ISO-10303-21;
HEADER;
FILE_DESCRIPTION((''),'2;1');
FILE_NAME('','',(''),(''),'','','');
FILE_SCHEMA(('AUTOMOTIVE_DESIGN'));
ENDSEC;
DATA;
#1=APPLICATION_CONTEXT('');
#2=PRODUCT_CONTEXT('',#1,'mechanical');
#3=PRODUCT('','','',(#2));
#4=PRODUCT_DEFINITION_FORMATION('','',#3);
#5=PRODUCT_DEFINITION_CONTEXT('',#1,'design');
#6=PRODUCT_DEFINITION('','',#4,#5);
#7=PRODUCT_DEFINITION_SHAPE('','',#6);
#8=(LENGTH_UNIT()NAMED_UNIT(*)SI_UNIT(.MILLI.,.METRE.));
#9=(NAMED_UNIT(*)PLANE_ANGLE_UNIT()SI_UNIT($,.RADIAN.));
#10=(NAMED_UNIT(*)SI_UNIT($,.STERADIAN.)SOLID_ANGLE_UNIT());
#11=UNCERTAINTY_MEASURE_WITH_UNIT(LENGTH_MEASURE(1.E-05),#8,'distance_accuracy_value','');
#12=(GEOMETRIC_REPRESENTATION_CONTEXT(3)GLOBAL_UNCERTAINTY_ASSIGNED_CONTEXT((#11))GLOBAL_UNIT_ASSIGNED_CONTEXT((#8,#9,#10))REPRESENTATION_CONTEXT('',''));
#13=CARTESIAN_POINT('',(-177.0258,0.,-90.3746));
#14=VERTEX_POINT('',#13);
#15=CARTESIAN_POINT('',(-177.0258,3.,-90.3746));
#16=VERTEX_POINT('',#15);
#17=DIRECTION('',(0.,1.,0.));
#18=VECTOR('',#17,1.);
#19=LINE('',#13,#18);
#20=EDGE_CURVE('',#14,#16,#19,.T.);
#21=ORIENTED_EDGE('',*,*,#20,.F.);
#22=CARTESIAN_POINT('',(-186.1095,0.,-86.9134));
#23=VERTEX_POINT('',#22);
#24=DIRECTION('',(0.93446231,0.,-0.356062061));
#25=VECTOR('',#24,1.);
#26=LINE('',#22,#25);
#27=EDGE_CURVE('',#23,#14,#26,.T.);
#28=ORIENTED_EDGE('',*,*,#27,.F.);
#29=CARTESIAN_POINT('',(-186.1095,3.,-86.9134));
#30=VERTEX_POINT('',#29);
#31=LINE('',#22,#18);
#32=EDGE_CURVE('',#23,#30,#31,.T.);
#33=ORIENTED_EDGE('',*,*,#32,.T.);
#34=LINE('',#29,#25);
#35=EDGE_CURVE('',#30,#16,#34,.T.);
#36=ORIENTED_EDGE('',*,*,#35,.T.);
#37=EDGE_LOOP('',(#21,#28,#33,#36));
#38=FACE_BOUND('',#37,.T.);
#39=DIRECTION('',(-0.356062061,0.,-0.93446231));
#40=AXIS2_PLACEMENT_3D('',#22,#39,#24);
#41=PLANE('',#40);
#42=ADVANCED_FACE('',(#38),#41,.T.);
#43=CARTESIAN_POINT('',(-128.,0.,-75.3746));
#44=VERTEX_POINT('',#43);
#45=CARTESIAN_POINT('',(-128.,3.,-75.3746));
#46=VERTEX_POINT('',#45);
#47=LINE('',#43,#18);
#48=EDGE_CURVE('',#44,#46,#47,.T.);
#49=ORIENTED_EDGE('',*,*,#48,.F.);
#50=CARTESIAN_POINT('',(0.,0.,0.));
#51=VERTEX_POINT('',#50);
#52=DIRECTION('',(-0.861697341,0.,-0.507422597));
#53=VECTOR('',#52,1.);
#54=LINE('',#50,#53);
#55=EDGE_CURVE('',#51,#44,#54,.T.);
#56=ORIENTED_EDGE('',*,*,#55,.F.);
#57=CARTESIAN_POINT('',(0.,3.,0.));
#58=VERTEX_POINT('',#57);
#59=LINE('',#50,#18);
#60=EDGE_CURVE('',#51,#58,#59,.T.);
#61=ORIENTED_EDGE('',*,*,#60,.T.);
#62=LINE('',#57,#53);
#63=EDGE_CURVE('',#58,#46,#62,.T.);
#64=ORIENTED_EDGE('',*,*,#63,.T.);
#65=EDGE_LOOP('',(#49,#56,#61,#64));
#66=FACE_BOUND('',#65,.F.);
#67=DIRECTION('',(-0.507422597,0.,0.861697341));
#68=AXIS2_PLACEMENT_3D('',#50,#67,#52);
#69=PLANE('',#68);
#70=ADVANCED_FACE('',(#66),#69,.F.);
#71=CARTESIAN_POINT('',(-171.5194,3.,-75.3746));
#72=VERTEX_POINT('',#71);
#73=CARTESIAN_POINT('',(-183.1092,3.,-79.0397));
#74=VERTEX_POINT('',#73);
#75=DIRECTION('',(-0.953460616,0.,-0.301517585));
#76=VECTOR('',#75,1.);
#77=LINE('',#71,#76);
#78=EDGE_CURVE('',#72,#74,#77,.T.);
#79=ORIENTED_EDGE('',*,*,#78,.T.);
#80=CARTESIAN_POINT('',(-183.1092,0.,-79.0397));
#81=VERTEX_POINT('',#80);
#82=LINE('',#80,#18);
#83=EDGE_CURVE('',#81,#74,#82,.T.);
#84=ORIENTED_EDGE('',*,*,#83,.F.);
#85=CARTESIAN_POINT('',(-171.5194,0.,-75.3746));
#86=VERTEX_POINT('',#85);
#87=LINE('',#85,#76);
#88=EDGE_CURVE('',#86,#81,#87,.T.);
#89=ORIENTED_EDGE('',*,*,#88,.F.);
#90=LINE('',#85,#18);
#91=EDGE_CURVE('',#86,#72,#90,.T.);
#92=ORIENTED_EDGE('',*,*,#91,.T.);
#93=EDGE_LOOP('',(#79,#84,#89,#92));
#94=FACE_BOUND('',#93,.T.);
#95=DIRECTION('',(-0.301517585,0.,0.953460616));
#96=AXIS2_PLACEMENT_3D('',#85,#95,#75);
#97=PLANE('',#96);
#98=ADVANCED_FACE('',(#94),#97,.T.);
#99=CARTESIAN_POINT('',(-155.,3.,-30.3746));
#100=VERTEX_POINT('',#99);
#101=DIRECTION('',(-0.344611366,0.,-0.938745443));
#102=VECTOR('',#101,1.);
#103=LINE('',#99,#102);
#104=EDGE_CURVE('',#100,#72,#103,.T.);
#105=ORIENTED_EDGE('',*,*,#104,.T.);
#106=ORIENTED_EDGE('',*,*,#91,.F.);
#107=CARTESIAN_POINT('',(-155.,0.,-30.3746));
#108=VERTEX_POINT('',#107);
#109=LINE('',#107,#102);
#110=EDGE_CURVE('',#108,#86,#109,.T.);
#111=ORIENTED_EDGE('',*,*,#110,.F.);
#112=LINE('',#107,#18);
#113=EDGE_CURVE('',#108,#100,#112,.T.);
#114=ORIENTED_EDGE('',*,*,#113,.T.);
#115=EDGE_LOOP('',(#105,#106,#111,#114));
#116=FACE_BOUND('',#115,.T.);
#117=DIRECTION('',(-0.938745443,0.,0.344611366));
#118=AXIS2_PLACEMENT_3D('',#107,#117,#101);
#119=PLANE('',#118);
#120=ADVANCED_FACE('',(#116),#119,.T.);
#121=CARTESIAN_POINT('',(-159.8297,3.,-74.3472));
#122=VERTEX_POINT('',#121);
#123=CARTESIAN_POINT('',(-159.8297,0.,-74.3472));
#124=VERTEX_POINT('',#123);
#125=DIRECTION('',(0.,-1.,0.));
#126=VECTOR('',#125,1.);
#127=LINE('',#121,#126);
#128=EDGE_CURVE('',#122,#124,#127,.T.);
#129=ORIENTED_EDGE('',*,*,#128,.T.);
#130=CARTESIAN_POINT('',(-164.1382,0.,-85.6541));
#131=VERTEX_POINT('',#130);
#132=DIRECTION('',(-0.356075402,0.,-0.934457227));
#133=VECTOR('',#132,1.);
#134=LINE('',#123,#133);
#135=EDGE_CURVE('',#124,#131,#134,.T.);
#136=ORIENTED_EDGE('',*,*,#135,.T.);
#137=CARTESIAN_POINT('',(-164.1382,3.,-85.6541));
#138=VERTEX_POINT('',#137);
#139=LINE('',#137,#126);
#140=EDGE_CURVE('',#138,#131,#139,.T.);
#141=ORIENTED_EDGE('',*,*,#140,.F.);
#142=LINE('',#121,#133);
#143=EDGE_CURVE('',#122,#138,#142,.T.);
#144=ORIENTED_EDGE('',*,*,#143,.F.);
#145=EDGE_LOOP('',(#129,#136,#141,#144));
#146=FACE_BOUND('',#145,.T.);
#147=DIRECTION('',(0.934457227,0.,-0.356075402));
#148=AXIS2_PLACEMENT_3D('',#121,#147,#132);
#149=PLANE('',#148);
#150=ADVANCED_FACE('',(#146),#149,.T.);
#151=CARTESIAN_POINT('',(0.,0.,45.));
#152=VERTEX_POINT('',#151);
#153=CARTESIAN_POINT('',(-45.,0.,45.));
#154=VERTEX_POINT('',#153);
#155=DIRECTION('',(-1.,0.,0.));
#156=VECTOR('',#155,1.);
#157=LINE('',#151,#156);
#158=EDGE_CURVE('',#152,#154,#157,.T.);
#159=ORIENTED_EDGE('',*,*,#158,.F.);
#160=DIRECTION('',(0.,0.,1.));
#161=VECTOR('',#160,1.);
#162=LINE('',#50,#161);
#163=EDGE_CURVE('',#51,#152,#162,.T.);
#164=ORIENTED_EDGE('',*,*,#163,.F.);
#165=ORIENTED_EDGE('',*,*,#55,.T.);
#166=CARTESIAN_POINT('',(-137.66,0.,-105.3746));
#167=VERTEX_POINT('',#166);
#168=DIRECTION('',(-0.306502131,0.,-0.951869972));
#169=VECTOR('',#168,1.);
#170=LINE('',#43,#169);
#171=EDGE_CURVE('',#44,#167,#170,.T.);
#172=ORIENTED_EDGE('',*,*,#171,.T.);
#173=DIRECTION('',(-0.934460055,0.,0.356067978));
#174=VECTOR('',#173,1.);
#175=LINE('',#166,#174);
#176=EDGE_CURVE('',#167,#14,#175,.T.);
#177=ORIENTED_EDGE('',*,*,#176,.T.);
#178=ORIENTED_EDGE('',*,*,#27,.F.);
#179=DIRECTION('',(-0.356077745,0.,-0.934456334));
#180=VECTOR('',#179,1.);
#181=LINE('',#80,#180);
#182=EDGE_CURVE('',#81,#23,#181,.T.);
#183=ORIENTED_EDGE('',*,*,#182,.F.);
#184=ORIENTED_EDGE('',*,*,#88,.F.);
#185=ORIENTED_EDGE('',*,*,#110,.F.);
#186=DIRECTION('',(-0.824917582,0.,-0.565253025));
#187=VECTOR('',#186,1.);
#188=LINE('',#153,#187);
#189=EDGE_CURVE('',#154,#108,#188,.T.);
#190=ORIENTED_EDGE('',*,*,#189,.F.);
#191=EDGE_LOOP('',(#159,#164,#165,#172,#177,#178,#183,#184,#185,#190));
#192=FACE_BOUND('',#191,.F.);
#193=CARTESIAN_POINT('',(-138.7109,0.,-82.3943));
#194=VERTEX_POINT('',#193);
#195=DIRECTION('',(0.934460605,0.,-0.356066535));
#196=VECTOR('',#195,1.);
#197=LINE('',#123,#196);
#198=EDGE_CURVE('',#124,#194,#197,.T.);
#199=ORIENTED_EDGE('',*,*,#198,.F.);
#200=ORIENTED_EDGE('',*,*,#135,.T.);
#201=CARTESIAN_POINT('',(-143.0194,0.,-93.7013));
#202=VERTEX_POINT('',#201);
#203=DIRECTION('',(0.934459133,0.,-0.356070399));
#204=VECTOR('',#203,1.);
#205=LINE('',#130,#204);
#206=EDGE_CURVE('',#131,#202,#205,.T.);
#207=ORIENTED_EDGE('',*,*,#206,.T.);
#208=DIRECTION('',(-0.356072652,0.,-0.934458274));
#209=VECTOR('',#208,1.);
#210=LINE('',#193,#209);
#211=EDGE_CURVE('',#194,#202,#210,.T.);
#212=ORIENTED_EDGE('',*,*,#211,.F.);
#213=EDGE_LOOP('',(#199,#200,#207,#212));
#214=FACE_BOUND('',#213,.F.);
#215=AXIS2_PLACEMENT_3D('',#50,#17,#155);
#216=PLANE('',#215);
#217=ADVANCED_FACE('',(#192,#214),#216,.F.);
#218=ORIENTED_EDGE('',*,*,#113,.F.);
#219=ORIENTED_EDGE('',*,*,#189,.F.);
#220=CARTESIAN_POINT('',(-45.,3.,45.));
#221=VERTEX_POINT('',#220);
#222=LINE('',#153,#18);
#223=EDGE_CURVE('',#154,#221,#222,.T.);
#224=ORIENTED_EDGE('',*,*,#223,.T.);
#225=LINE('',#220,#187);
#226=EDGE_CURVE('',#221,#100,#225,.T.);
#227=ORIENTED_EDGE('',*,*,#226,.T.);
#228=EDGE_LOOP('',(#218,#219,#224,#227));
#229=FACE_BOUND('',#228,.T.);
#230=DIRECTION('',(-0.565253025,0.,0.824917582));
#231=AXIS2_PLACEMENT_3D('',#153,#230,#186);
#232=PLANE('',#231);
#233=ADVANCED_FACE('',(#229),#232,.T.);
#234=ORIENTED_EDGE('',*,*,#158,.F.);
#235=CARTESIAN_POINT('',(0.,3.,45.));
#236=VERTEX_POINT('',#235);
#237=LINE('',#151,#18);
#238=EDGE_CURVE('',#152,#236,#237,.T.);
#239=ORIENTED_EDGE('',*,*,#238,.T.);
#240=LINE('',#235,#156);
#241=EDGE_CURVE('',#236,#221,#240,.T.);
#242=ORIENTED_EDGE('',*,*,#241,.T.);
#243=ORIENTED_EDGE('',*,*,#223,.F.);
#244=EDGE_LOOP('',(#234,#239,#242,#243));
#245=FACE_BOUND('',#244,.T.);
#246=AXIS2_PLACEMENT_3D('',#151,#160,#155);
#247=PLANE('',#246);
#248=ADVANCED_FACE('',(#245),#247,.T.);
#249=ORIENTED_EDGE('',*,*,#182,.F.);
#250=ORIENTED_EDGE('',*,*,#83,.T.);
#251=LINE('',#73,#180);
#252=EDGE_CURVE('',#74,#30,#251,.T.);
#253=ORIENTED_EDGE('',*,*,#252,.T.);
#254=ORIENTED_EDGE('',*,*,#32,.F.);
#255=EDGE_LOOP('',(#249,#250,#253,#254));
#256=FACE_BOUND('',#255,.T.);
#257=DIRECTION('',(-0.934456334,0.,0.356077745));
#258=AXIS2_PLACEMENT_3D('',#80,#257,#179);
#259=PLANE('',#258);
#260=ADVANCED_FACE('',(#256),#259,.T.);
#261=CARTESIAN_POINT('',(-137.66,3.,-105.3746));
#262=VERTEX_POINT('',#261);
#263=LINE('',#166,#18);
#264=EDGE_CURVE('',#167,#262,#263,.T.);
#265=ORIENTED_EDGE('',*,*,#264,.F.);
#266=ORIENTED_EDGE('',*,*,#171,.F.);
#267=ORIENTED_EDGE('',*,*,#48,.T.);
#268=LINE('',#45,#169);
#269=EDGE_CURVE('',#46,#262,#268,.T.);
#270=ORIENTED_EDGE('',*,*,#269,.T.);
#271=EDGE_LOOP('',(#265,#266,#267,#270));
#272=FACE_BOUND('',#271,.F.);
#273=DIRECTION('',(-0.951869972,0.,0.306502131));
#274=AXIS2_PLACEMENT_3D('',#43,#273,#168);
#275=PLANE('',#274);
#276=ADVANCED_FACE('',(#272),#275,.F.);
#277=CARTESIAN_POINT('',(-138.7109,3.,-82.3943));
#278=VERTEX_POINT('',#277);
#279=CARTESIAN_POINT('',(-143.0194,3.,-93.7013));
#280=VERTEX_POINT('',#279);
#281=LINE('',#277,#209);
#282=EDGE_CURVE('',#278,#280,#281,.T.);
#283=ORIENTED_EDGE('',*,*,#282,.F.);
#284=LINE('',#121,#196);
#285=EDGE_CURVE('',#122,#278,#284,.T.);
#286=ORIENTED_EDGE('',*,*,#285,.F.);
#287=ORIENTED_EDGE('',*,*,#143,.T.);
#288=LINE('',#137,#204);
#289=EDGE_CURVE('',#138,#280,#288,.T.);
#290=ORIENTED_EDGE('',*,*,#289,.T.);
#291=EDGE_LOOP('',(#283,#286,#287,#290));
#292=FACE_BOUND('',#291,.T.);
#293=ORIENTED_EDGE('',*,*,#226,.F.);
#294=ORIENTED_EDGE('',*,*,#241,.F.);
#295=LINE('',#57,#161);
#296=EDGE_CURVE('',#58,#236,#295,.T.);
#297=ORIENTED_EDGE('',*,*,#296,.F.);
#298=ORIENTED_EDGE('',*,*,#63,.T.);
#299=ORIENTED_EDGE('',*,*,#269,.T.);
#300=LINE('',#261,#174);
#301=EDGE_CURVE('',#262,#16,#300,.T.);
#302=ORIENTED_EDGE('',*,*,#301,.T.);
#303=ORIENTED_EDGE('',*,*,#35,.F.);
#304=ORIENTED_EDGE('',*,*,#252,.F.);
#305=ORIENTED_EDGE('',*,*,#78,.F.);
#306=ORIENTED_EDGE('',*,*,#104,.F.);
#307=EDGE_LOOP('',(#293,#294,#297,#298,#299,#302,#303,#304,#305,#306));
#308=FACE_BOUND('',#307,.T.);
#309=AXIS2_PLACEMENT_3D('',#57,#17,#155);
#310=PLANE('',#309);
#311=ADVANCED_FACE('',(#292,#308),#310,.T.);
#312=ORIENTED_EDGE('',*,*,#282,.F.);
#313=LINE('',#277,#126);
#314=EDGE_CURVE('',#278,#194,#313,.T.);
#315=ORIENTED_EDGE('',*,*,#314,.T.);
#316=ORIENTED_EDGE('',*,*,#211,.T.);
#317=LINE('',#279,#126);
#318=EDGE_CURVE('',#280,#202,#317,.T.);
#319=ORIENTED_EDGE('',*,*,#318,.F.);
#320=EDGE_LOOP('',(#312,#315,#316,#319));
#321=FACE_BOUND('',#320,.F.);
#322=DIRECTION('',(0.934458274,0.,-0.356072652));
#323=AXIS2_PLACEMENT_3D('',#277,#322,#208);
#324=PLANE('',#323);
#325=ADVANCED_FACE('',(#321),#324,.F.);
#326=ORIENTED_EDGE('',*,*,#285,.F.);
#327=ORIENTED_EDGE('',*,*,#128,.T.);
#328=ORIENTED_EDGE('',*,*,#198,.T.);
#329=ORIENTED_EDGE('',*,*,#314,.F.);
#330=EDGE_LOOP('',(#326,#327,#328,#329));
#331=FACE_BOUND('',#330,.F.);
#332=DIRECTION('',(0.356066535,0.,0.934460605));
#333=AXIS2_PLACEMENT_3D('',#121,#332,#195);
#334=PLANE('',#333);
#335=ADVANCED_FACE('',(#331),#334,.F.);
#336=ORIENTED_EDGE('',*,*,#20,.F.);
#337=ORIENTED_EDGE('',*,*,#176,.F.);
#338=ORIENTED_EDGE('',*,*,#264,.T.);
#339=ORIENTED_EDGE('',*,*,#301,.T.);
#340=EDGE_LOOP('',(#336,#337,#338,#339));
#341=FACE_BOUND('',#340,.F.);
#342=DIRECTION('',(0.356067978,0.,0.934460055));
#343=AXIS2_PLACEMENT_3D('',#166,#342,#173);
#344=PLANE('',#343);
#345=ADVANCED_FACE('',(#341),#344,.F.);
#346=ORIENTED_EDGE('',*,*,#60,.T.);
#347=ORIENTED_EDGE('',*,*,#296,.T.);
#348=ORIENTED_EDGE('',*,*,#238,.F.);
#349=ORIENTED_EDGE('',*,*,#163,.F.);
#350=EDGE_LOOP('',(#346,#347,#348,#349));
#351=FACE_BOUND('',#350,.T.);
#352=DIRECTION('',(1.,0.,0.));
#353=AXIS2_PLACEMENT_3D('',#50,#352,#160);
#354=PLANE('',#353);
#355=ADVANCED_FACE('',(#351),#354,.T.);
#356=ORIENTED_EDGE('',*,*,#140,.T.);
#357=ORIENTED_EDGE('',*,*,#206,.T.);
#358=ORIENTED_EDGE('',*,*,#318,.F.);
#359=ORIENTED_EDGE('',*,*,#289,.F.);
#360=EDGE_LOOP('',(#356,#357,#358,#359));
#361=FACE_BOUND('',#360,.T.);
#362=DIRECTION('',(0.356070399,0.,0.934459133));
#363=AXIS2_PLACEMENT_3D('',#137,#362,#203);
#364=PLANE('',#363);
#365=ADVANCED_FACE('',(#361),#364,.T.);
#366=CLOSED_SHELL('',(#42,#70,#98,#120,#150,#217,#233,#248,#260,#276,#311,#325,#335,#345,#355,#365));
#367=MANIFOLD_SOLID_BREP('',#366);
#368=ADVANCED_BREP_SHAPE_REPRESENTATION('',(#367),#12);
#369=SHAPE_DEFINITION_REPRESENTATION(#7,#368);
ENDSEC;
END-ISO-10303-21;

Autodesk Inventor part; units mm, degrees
ref_plane "YZ Plane" through (0, 0, 0) normal (1, 0, 0) x (0, 1, 0)
ref_plane "XZ Plane" through (0, 0, 0) normal (0, 1, 0) x (-1, 0, 0)
ref_plane "XY Plane" through (0, 0, 0) normal (0, 0, 1) x (1, 0, 0)
sketch "Esquisse1" plane through (0, 0, 0) normal (0, 1, 0) x (-1, 0, 0)
  line L0 (0, 0) -> (0, 45)
  line L1 (0, 45) -> (45, 45)
  line L2 (0, 0) -> (128, -75.3746)
  line L3 (45, 45) -> (155, -30.3746)
  line L4 (155, -30.3746) -> (171.5194, -75.3746)
  line L5 (128, -75.3746) -> (137.66, -105.3746)
  line L6 (137.66, -105.3746) -> (177.0258, -90.3746)
  line L7 (171.5194, -75.3746) -> (183.1092, -79.0397)
  line L8 (183.1092, -79.0397) -> (186.1095, -86.9134)
  line L9 (186.1095, -86.9134) -> (177.0258, -90.3746)
  dimension "d0" = 45
  dimension "d1" = 45
  dimension "d13" = 128
  dimension "d14" = 110
  dimension "d15" = 30
  dimension "d16" = 45
extrude "Extrusion1" add sketch "Esquisse1" along normal blind 3
sketch "Esquisse2" plane through (0, 3, 0) normal (0, 1, 0) x (1, 0, 0)
  line L0 (-164.1382, 85.6541) -> (-143.0194, 93.7013)
  line L1 (-159.8297, 74.3472) -> (-138.7109, 82.3943)
  line L2 (-137.66, 105.3746) -> (-186.1095, 86.9134) projected
  line L3 (-138.7109, 82.3943) -> (-143.0194, 93.7013)
  line L4 (-159.8297, 74.3472) -> (-164.1382, 85.6541)
  point P0 (0, 0)
  dimension "d19" = 9
  dimension "d20" = 9
  dimension "d22" = 12.1
  dimension "d23" = 12.1
  dimension "d24" = 22.6
extrude "Extrusion2" cut sketch "Esquisse2" against normal blind 3
